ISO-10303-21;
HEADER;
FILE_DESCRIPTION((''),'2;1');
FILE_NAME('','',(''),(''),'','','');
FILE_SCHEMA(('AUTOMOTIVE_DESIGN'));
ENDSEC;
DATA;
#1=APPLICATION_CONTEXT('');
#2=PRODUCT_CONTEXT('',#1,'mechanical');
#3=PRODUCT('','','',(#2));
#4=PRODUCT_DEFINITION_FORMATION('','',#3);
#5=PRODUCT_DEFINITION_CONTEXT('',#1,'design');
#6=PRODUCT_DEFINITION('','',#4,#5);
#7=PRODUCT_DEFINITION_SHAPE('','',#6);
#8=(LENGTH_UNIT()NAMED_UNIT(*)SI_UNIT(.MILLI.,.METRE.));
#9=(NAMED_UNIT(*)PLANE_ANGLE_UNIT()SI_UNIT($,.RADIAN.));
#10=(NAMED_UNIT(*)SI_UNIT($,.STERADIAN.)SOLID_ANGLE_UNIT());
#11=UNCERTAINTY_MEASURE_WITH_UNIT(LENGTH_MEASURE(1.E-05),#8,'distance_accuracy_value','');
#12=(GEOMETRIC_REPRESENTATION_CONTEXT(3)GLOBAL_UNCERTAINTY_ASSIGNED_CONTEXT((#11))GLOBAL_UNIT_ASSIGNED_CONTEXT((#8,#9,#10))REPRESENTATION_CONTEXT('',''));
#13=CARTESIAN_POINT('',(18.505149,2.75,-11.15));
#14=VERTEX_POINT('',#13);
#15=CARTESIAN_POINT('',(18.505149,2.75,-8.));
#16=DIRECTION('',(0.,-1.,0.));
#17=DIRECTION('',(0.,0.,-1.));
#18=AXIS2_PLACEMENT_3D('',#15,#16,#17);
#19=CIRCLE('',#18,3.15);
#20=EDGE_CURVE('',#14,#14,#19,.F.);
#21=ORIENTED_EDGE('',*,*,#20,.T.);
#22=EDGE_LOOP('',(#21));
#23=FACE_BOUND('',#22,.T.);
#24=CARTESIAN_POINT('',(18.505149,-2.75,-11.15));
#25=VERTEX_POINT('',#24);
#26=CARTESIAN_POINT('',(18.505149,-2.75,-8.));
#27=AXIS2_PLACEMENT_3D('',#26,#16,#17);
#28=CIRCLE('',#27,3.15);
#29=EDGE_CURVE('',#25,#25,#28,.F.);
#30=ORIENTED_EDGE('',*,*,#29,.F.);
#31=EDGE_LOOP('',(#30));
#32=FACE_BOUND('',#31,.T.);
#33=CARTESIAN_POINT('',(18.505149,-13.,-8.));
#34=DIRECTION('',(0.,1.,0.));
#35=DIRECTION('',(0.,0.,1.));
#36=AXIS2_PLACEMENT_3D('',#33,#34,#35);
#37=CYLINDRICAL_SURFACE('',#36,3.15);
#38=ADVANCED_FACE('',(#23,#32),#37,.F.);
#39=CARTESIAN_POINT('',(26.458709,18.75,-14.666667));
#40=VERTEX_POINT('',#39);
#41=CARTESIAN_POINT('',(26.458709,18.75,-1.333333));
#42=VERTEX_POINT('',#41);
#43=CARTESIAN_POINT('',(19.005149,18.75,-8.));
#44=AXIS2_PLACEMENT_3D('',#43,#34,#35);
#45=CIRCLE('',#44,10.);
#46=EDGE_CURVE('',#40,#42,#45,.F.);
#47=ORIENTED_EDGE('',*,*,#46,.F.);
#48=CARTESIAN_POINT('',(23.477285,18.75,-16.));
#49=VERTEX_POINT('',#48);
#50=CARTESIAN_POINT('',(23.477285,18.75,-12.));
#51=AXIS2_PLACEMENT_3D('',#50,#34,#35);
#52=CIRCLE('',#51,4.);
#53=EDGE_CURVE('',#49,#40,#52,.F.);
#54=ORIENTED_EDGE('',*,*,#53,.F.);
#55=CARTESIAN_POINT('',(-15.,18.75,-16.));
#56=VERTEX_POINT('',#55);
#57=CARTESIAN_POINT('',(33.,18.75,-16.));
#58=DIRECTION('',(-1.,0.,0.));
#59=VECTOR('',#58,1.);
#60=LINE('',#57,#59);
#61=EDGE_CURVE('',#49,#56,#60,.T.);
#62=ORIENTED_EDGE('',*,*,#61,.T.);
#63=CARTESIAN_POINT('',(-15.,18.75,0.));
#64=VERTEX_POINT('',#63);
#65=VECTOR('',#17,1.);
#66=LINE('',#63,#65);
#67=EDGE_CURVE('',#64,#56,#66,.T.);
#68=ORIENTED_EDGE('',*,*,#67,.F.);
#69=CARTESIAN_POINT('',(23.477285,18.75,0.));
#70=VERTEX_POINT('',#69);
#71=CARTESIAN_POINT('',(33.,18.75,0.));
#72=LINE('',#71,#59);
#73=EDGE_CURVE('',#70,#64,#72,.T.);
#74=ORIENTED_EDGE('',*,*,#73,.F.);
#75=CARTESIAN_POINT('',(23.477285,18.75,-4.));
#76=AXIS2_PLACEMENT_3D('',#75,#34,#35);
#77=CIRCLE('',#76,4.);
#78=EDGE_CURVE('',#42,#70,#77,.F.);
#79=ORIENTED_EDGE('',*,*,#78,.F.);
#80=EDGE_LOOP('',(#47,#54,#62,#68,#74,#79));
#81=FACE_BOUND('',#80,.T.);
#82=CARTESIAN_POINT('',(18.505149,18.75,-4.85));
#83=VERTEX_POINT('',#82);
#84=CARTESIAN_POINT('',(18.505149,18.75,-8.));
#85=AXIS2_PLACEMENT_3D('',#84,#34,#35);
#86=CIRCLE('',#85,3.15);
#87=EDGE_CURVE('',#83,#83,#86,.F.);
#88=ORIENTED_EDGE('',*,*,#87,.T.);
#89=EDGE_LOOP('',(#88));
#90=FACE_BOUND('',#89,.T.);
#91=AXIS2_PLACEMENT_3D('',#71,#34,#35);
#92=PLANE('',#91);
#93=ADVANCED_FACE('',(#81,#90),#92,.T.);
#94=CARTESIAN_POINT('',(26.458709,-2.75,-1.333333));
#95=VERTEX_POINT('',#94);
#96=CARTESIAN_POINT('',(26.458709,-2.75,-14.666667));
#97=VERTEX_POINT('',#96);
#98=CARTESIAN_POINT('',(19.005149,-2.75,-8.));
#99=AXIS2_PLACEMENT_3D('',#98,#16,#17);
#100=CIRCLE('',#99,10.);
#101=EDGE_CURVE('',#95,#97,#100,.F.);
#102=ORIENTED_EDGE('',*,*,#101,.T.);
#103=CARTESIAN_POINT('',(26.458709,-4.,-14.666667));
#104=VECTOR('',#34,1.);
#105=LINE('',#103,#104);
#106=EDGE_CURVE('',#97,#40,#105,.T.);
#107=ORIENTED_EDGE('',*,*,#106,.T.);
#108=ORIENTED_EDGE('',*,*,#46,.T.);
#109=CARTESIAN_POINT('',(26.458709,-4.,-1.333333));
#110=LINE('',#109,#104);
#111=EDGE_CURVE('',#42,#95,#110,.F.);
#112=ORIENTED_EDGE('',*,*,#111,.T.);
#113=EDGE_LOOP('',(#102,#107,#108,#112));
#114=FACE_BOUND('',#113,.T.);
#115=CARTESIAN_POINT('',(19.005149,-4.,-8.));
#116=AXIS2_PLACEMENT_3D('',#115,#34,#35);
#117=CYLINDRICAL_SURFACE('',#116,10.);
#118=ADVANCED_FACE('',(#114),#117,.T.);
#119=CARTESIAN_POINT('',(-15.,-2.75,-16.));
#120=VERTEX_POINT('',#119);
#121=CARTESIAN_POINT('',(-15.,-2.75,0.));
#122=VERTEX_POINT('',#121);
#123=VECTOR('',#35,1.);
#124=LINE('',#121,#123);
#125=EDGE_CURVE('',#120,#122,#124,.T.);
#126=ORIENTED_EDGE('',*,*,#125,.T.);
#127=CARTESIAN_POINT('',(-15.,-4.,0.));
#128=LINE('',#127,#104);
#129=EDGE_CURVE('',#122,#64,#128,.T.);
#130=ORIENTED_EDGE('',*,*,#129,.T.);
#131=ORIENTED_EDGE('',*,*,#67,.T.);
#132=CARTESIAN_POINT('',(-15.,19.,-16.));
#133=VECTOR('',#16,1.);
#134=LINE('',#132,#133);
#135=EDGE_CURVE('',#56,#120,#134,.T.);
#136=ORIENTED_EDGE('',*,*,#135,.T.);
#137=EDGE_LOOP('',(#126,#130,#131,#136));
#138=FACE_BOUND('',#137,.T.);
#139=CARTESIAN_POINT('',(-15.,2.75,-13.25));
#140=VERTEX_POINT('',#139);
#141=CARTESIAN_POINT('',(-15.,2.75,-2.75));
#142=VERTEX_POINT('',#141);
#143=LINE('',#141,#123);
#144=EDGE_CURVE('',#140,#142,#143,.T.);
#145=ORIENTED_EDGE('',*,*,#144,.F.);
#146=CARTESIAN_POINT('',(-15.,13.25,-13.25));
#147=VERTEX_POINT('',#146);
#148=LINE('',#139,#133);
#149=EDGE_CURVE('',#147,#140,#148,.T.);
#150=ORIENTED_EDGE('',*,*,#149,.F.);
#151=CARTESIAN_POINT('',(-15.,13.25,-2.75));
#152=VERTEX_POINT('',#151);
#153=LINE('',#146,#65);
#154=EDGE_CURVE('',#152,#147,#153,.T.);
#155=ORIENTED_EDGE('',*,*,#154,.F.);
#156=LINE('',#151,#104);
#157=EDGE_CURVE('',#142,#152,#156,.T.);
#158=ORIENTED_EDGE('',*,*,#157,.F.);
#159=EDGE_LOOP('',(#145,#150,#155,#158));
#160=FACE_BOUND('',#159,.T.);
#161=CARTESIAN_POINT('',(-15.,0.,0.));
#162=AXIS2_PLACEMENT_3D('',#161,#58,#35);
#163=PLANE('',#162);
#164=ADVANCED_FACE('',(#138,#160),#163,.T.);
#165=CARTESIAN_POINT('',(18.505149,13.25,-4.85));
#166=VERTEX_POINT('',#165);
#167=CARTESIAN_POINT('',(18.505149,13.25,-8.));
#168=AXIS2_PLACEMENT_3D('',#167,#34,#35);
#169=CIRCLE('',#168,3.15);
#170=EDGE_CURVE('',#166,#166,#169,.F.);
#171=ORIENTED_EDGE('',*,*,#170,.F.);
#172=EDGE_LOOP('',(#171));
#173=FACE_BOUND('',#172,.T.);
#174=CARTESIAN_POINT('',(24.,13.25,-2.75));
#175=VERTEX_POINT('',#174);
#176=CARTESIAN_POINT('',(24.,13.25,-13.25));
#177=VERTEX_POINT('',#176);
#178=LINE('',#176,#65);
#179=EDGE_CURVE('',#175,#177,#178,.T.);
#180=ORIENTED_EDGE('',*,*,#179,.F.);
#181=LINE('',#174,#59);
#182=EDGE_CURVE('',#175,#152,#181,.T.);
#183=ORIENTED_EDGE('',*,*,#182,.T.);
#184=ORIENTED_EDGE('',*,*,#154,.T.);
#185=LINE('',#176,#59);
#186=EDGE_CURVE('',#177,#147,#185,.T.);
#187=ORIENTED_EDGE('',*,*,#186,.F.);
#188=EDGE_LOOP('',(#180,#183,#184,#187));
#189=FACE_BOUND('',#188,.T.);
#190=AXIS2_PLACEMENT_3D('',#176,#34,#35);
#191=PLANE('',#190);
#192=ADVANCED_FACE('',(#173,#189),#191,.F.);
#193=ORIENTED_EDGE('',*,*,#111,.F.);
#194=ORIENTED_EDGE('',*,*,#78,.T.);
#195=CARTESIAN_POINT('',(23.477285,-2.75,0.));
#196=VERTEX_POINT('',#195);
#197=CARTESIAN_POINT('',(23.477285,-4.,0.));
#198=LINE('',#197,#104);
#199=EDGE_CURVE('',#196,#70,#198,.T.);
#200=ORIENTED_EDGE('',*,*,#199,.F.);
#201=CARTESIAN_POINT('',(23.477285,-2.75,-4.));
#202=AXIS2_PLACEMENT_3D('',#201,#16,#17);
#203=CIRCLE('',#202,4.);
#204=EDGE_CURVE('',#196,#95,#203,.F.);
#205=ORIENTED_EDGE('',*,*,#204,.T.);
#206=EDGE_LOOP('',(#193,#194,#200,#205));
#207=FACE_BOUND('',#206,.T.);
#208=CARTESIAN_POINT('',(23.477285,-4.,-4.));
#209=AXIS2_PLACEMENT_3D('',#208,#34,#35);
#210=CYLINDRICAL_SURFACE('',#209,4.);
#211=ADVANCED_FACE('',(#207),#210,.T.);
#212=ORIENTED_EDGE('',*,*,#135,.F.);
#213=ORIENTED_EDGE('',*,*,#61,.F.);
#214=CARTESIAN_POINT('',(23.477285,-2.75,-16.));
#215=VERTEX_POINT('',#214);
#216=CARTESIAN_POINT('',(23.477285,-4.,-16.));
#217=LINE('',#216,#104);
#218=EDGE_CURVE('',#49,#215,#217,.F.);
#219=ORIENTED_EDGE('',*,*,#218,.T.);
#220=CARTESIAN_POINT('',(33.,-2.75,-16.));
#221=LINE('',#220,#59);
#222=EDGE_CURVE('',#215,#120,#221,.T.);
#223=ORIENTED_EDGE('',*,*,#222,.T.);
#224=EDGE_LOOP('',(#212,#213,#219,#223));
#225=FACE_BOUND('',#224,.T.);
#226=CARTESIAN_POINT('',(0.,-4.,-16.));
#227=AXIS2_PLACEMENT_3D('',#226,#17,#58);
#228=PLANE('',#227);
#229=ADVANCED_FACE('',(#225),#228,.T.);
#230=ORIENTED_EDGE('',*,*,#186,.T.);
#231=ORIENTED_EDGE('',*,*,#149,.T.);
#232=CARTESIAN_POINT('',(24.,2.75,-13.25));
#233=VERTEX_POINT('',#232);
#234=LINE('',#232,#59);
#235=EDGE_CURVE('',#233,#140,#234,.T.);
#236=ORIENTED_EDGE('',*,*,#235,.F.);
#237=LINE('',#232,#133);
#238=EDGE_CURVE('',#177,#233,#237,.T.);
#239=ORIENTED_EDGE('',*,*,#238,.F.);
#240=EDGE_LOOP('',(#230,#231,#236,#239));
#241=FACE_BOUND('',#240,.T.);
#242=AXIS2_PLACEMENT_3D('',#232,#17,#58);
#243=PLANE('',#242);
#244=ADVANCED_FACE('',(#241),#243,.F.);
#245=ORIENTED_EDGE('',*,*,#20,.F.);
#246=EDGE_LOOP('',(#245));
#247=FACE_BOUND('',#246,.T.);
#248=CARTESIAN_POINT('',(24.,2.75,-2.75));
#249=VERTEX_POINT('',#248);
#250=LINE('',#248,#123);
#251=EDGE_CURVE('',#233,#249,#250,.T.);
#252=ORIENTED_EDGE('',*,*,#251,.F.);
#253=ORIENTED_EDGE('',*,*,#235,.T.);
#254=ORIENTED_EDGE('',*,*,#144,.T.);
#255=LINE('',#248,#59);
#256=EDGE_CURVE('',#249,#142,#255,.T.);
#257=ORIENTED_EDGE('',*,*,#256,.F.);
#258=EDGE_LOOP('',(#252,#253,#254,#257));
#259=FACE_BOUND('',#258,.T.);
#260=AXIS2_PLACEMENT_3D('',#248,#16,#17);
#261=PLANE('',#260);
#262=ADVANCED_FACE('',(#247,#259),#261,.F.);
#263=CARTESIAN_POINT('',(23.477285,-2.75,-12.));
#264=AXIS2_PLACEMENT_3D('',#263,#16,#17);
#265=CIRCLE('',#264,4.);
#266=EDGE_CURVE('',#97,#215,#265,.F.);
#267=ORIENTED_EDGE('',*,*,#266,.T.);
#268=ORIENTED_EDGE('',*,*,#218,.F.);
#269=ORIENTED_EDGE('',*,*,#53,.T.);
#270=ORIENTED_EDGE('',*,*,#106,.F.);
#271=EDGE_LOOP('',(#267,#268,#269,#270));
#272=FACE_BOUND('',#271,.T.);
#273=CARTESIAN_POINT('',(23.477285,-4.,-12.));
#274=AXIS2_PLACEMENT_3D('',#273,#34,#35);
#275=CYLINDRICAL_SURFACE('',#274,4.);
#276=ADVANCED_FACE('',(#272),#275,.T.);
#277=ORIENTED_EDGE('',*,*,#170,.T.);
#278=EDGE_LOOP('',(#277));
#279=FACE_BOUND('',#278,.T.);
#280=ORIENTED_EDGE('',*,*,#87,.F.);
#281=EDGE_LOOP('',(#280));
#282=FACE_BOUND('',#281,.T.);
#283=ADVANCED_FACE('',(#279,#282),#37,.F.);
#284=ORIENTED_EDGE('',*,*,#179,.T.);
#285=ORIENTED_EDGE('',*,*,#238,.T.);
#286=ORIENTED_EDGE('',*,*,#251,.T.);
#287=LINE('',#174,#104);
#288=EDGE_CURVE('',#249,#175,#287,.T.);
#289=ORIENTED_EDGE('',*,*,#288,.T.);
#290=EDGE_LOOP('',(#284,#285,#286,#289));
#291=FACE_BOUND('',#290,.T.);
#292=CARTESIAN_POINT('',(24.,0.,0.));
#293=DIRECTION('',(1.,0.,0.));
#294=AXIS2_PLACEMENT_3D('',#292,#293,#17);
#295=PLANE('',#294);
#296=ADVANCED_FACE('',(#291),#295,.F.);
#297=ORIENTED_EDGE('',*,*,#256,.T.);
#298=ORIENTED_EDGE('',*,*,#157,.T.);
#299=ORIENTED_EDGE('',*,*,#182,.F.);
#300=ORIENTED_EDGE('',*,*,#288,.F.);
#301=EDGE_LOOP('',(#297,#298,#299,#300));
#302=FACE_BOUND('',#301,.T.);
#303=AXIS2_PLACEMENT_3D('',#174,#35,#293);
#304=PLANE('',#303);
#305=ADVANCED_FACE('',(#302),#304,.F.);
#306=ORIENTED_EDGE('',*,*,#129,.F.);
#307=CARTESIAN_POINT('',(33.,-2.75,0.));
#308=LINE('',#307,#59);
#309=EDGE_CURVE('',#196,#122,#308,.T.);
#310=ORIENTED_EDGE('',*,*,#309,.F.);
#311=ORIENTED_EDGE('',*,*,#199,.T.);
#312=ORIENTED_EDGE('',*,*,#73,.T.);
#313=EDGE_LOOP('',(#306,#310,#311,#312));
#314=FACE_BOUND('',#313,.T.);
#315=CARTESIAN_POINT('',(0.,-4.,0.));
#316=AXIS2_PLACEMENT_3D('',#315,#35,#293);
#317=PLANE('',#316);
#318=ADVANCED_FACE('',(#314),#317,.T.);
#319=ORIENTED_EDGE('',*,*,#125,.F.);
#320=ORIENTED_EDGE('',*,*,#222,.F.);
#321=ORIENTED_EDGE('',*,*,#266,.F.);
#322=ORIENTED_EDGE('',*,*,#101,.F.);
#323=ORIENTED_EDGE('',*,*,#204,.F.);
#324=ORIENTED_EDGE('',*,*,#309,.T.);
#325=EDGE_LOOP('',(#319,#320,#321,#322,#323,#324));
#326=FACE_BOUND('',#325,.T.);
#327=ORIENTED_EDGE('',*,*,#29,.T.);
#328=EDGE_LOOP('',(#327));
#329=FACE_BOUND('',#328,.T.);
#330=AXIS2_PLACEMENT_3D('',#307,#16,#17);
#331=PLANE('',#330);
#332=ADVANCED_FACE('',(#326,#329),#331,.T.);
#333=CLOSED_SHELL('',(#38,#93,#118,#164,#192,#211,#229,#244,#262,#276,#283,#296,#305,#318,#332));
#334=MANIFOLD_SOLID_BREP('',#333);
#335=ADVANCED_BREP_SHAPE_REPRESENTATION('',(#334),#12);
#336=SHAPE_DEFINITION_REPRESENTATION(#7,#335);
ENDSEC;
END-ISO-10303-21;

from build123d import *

# Parameters (mm, degrees)
BOSS_EXTRUDE1_DEPTH      = 19
BOSS_EXTRUDE1_DEPTH_BACK = 4
SKETCH2_R                = 3.15
CUT_EXTRUDE1_DEPTH       = 32
SKETCH3_W                = 10.5
SKETCH3_H                = 10.5
CUT_EXTRUDE2_DEPTH       = 24
FILLET1_R                = 4
SKETCH4_W                = 16
SKETCH4_H                = 23
SKETCH4_W_2              = 10.5
SKETCH4_H_2              = 10.5
BOSS_EXTRUDE2_DEPTH      = 15
SKETCH5_W                = 16
SKETCH5_H                = 1.25
SKETCH5_H_2              = 0.25
CUT_EXTRUDE3_DEPTH       = 48


with BuildPart() as part:
    # Sketch1 → Boss-Extrude1 (new body, two sides)
    with BuildSketch(Plane(origin=(0, 0, 0), x_dir=(1, 0, 0), z_dir=(0, 1, 0))) as boss_extrude1_sk:
        with BuildLine():
            Line((0, 0), (0, 16))
            Line((0, 16), (25.005148766, 16))
            ThreePointArc((25.005148766, 16), (29.005148766, 8), (25.005148766, 0))
            Line((25.005148766, 0), (0, 0))
        make_face()
    extrude(amount=BOSS_EXTRUDE1_DEPTH)
    extrude(boss_extrude1_sk.sketch, amount=-BOSS_EXTRUDE1_DEPTH_BACK)

    # Sketch2 → Cut-Extrude1 (cut)
    with BuildSketch(Plane(origin=(0, 19, 0), x_dir=(1, 0, 0), z_dir=(0, 1, 0))):
        with Locations((18.505148766, 8)):
            Circle(SKETCH2_R)
    extrude(amount=-CUT_EXTRUDE1_DEPTH, mode=Mode.SUBTRACT)

    # Sketch3 → Cut-Extrude2 (cut)
    with BuildSketch(Plane.ZY):
        with Locations((-8, 8)):
            Rectangle(SKETCH3_W, SKETCH3_H)
    extrude(amount=-CUT_EXTRUDE2_DEPTH, mode=Mode.SUBTRACT)

    # Fillet1
    fillet1_edges = [part.edges().sort_by_distance(p)[0] for p in [
        (25.005148766, 7.5, -16),
        (25.005148766, 7.5, 0),
    ]]
    fillet(fillet1_edges, radius=FILLET1_R)

    # Sketch4 → Boss-Extrude2 (add)
    with BuildSketch(Plane.ZY):
        with Locations((-8, 7.5)):
            Rectangle(SKETCH4_W, SKETCH4_H)
        with Locations((-8, 8)):
            Rectangle(SKETCH4_W_2, SKETCH4_H_2, mode=Mode.SUBTRACT)
    extrude(amount=BOSS_EXTRUDE2_DEPTH)

    # Sketch5 → Cut-Extrude3 (cut)
    with BuildSketch(Plane.ZY.offset(15)):
        with Locations((-8, -3.375)):
            Rectangle(SKETCH5_W, SKETCH5_H)
        with Locations((-8, 18.875)):
            Rectangle(SKETCH5_W, SKETCH5_H_2)
    extrude(amount=-CUT_EXTRUDE3_DEPTH, mode=Mode.SUBTRACT)


solid = part.part
